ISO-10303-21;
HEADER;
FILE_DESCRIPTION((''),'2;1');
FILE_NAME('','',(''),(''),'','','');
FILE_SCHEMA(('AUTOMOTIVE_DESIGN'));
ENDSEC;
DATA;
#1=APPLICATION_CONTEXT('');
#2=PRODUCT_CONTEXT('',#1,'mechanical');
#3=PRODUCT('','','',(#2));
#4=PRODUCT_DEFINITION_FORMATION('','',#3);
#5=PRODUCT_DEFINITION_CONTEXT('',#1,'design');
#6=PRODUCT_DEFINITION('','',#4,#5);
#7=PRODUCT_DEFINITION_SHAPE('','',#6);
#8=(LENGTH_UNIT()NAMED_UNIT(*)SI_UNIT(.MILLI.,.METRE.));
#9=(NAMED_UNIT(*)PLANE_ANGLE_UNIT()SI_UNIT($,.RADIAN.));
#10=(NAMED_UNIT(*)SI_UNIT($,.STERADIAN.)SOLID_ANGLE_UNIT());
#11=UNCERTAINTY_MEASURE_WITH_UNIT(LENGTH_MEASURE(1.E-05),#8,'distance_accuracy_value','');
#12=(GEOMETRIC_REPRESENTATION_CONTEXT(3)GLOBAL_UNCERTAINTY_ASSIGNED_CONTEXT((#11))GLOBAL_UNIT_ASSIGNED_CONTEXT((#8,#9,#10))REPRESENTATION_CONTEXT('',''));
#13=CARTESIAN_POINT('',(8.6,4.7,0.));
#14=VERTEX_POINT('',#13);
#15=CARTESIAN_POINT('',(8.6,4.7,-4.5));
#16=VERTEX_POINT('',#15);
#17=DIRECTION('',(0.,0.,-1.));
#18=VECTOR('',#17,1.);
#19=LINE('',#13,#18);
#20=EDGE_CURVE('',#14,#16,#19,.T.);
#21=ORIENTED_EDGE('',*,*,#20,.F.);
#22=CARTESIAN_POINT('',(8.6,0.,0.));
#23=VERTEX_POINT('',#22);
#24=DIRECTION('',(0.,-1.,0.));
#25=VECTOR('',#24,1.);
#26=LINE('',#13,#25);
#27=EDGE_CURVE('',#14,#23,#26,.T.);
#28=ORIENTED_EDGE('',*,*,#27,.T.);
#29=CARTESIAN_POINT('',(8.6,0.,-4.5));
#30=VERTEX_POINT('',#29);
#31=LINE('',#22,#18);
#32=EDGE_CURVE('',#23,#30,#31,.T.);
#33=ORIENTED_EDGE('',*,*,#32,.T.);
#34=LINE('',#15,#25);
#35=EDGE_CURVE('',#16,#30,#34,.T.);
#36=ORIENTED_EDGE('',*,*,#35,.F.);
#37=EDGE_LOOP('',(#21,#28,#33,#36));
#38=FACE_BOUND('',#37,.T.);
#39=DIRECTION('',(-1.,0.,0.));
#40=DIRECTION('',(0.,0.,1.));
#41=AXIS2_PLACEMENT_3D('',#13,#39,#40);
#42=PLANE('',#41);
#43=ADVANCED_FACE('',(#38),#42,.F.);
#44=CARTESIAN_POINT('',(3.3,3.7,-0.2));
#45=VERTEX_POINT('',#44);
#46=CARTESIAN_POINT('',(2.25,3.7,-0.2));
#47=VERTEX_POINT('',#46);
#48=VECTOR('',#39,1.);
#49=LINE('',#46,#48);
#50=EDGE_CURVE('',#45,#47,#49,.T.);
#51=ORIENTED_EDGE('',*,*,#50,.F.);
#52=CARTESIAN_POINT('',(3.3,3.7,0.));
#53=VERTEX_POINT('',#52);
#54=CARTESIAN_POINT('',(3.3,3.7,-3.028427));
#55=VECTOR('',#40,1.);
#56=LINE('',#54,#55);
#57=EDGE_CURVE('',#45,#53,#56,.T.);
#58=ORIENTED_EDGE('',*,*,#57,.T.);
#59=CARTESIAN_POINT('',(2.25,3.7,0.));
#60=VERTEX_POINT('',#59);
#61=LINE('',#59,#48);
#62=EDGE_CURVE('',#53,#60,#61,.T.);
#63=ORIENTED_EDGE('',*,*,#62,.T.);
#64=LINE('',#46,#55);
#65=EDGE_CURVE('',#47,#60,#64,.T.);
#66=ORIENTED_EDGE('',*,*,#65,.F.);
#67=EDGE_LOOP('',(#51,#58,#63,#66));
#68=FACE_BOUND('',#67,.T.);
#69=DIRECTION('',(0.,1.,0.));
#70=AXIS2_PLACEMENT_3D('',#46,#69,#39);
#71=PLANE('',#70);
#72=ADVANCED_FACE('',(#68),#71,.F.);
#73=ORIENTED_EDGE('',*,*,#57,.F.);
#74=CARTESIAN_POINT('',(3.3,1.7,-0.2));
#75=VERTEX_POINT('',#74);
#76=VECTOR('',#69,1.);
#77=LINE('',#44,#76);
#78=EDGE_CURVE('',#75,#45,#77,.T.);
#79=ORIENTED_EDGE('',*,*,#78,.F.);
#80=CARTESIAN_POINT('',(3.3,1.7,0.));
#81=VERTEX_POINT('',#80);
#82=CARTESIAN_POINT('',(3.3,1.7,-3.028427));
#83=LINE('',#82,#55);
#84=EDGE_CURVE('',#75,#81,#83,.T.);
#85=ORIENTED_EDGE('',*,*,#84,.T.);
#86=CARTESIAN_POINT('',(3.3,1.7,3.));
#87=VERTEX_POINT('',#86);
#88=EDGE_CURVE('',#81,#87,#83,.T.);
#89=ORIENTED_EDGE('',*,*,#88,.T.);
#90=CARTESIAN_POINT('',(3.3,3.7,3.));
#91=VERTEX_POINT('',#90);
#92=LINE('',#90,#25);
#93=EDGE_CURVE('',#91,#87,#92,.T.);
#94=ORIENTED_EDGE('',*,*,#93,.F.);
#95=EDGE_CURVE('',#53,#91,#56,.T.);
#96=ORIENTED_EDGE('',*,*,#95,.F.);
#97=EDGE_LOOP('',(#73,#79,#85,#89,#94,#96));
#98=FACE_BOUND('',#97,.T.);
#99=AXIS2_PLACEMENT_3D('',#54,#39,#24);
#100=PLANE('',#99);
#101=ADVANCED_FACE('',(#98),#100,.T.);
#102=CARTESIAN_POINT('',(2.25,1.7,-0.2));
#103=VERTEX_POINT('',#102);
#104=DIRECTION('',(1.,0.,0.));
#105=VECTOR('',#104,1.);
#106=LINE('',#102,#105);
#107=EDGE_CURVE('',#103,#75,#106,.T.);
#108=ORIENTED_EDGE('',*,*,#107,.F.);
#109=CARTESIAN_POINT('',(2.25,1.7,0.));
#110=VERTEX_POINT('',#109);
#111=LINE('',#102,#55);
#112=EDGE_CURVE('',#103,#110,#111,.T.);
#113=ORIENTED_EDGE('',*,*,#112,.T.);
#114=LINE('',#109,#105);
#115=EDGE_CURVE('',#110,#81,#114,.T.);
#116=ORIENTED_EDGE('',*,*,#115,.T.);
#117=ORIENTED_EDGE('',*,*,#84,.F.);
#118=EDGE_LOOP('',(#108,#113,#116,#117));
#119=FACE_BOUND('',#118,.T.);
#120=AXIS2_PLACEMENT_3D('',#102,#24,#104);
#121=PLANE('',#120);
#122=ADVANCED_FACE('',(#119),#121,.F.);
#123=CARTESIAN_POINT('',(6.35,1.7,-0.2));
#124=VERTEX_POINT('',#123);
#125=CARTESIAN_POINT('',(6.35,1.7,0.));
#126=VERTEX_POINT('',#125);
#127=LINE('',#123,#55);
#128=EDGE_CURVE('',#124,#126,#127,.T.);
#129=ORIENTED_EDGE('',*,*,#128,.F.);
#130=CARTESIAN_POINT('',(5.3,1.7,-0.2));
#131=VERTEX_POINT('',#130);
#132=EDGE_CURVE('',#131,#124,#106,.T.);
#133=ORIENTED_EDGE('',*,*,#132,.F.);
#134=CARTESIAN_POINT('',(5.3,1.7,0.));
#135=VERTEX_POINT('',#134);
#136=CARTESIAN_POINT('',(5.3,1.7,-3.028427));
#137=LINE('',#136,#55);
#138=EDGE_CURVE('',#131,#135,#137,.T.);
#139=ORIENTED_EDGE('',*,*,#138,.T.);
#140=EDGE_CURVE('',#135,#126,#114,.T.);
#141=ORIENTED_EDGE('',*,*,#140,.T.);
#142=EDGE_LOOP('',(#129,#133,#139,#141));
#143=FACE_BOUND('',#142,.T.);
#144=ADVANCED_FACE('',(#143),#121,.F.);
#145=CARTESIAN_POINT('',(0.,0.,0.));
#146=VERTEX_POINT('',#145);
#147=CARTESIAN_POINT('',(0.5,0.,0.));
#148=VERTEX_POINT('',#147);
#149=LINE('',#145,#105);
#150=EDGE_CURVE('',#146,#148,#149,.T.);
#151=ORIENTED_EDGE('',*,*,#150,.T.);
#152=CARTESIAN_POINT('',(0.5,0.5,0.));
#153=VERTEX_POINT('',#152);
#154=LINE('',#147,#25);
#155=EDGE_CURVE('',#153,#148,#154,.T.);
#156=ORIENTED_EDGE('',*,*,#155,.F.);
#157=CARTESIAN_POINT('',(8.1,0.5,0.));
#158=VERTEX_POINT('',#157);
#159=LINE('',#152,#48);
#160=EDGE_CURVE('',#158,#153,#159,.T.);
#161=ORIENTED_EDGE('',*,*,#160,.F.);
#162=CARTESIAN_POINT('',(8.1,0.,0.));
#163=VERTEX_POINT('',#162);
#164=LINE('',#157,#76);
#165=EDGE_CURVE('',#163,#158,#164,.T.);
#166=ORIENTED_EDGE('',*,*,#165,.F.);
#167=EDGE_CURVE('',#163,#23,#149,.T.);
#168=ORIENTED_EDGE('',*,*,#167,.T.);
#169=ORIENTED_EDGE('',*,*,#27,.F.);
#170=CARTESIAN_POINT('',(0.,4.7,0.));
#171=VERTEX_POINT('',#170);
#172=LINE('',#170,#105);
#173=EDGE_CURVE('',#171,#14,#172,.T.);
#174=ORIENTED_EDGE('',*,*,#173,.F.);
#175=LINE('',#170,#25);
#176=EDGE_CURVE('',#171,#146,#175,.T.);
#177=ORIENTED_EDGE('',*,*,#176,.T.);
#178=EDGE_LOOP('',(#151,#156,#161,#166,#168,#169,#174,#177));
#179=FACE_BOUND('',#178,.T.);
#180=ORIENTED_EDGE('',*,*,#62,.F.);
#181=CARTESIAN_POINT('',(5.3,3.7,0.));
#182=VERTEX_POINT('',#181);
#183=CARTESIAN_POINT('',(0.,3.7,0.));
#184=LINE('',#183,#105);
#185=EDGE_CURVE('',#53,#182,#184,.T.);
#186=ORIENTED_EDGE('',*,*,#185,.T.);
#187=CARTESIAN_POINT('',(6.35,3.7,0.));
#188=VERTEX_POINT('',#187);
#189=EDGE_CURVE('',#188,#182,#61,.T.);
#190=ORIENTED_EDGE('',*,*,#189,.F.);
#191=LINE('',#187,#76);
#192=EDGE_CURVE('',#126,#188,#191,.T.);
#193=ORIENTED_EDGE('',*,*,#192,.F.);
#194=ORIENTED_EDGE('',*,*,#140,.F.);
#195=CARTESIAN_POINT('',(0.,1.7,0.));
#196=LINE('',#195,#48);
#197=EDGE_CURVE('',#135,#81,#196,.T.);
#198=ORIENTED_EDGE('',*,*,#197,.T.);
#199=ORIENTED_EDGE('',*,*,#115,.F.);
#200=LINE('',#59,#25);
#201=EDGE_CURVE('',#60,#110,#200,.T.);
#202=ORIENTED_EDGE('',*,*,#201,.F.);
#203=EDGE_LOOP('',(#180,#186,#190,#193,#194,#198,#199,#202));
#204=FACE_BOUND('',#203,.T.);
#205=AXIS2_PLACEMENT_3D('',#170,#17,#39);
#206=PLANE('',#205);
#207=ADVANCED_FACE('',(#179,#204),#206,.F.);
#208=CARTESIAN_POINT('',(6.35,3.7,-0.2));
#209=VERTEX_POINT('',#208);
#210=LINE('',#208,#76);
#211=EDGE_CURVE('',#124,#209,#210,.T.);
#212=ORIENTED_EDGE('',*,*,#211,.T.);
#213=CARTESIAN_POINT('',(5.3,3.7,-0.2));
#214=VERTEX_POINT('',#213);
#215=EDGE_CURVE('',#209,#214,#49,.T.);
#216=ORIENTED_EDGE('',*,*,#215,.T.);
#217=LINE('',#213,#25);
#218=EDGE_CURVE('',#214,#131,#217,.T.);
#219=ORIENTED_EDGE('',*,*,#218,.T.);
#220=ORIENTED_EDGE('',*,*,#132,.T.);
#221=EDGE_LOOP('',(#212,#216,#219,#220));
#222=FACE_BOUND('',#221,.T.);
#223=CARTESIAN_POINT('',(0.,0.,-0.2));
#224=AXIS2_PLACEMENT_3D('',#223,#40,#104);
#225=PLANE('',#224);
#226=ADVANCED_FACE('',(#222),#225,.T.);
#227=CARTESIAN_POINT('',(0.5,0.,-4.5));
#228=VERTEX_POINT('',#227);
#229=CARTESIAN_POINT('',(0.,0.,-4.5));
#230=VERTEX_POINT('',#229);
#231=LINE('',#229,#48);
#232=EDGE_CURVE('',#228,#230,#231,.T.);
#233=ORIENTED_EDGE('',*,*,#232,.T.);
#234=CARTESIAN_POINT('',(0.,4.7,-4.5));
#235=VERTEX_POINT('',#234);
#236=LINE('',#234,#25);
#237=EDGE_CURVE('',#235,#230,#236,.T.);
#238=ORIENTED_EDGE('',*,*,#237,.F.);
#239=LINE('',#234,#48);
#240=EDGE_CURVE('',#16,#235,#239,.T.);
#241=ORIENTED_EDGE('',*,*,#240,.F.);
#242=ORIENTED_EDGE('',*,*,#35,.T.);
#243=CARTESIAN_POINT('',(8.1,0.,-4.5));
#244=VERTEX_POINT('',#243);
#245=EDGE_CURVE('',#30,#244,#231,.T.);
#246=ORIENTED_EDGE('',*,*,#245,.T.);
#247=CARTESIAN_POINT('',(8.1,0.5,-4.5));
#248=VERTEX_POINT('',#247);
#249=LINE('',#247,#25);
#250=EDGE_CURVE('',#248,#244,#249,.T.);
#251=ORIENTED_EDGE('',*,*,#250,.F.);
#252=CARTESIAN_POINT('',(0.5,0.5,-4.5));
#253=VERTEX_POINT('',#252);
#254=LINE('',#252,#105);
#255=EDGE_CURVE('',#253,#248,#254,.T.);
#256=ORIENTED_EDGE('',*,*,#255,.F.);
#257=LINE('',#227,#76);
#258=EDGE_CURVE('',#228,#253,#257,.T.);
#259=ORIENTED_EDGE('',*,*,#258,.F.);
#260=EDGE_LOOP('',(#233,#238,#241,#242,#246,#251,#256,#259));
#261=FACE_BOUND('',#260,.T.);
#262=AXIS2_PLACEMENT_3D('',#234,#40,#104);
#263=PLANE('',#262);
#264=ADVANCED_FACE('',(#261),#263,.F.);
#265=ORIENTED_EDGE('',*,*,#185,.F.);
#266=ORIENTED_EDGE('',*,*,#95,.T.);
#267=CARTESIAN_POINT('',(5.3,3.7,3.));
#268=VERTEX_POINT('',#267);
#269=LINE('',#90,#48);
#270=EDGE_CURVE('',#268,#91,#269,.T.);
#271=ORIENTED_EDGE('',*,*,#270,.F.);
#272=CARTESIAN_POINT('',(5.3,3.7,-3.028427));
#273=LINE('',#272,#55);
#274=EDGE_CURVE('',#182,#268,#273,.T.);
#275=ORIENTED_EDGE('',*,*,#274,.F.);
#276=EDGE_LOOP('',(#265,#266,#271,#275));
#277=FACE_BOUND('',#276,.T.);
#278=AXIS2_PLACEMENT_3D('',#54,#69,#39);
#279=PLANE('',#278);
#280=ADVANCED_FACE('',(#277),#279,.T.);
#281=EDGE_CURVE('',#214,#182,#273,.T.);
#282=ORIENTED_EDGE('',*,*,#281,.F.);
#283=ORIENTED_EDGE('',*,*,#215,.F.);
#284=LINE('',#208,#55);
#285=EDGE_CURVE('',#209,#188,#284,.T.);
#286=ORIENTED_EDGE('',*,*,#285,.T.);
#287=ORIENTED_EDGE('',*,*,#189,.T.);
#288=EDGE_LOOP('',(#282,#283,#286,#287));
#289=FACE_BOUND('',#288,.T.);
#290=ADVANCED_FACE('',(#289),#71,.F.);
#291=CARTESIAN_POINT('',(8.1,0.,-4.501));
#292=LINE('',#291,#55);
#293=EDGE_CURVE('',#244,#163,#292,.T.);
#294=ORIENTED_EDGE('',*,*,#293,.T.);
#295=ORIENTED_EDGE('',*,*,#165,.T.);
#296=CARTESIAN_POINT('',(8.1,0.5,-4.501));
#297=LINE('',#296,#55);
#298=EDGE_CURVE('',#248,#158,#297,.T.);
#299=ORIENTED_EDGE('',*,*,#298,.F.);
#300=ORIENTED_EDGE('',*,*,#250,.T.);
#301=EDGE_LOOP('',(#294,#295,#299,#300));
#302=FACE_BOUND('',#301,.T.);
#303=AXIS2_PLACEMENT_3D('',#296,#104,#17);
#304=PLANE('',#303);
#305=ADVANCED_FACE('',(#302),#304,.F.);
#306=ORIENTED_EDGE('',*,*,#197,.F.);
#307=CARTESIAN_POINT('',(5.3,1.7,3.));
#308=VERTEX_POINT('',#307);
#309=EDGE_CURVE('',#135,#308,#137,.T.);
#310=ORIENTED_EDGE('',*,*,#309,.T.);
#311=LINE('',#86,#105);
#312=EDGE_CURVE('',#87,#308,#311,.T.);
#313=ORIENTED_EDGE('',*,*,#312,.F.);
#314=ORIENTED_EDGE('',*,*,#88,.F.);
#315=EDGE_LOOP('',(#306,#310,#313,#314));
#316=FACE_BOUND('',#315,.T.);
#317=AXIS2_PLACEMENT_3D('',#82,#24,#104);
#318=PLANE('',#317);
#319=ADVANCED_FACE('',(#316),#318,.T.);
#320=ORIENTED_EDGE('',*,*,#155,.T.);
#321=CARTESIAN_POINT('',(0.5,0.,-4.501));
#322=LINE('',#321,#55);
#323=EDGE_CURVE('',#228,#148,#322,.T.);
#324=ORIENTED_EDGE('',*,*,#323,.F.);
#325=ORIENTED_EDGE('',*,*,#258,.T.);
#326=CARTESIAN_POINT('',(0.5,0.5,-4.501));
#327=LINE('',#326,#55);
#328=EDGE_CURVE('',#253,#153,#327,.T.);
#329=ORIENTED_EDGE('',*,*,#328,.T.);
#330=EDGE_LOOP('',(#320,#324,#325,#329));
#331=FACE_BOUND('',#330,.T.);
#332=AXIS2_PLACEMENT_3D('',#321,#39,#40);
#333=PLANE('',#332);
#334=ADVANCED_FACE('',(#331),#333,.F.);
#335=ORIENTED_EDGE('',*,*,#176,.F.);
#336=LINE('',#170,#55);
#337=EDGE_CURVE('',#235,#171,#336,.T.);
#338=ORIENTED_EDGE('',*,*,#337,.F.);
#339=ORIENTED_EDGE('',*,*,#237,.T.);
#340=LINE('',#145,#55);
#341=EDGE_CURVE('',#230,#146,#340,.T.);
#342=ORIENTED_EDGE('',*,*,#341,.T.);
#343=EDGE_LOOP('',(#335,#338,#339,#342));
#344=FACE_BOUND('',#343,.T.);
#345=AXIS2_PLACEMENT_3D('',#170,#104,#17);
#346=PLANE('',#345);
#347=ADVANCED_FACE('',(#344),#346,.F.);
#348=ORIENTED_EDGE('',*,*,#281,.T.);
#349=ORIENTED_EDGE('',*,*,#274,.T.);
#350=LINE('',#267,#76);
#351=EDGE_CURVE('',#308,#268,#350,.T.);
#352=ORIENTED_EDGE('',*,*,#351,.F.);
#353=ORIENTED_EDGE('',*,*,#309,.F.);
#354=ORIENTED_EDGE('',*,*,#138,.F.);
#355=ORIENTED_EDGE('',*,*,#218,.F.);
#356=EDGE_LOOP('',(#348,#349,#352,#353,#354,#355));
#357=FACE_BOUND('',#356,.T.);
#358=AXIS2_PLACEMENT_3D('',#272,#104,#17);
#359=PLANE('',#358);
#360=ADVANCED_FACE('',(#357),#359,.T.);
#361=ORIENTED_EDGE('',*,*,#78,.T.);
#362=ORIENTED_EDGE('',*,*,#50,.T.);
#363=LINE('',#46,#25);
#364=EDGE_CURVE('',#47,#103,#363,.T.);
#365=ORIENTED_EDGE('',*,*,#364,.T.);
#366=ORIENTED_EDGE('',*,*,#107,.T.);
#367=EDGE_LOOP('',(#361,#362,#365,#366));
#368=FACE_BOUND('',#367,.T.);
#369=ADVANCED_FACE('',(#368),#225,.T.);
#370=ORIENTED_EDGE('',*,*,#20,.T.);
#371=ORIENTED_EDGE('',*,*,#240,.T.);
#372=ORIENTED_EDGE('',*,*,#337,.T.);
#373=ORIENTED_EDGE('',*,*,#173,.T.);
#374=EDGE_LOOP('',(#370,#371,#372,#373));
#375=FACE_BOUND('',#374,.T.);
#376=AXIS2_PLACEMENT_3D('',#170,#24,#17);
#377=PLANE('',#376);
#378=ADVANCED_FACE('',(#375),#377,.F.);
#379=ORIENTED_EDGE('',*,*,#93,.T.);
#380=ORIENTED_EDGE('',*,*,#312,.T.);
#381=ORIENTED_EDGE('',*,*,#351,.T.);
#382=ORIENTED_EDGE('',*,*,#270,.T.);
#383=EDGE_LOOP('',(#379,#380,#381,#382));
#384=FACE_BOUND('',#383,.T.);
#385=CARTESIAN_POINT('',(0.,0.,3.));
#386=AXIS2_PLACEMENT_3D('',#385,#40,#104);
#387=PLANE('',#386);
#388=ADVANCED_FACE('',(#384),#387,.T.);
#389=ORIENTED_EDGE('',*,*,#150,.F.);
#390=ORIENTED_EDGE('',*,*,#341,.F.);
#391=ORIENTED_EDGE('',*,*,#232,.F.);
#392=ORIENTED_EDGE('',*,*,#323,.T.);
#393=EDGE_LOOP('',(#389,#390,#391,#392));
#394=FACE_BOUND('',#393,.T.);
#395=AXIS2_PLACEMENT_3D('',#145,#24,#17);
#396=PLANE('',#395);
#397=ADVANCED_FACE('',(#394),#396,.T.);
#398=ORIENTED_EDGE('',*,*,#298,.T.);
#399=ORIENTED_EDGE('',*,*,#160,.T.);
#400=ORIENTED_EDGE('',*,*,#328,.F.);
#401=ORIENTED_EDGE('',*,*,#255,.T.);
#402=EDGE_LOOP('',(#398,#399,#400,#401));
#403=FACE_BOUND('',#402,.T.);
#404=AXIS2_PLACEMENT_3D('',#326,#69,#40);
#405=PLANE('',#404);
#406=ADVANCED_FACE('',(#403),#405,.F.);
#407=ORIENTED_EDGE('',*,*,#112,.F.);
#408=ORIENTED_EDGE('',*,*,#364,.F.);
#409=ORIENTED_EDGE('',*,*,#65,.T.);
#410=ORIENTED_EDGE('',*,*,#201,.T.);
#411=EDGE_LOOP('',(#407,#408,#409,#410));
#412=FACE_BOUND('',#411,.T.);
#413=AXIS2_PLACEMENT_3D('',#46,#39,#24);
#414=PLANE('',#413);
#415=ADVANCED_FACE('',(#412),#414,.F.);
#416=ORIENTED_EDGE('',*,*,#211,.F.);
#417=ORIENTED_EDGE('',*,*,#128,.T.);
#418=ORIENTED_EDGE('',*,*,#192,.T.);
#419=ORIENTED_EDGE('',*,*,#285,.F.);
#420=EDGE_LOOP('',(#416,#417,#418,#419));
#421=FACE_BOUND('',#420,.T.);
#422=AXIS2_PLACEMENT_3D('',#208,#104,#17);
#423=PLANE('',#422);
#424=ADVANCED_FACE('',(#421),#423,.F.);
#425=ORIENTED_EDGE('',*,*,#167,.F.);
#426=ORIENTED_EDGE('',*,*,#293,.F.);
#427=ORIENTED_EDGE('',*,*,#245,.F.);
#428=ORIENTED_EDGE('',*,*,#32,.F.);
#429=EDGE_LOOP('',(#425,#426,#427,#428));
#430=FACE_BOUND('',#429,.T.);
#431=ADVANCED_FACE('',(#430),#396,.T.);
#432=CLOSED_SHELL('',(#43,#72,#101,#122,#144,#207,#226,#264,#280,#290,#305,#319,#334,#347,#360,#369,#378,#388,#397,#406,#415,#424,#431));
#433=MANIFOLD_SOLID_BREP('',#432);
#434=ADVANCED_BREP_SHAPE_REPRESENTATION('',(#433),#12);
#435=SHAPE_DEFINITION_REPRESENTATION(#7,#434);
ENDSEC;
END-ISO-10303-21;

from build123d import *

# Parameters (mm, degrees)
SKETCH_1_W           = 8.6
SKETCH_1_H           = 4.5
EXTRUDE_1_DEPTH      = 4.7
SKETCH_2_W           = 4.1
SKETCH_2_H           = 2
CUT_EXTRUDE_1_DEPTH  = 0.2
CUT_EXTRUDE_2_REACH  = 6.5
SKETCH_4_W           = 7.6
SKETCH_4_H           = 0.5
SKETCH_5_W           = 2
SKETCH_5_H           = 2
EXTRUDE_2_DEPTH      = 3
EXTRUDE_2_DEPTH_BACK = 0.2


with BuildPart() as part:
    # 草图1 → 凸台-拉伸1 (new body)
    with BuildSketch(Plane(origin=(0, 0, 0), x_dir=(1, 0, 0), z_dir=(0, 1, 0))):
        with Locations((4.3, 2.25)):
            Rectangle(SKETCH_1_W, SKETCH_1_H)
    extrude(amount=EXTRUDE_1_DEPTH)

    # 草图2 → 切除-拉伸1 (cut)
    with BuildSketch(Plane.XY):
        with Locations((4.3, 2.7)):
            Rectangle(SKETCH_2_W, SKETCH_2_H)
    extrude(amount=-CUT_EXTRUDE_1_DEPTH, mode=Mode.SUBTRACT)

    # 草图4 → 切除-拉伸2 (cut, up to next)
    with BuildSketch(Plane.XY, mode=Mode.PRIVATE) as cut_extrude_2_sk1:
        with Locations((4.3, 0.25)):
            Rectangle(SKETCH_4_W, SKETCH_4_H)
    cut_extrude_2_tool1 = extrude(cut_extrude_2_sk1.sketch, amount=-CUT_EXTRUDE_2_REACH, mode=Mode.PRIVATE) & part.part
    add(cut_extrude_2_tool1.solids().sort_by_distance((4.3, 0.25, 0))[0], mode=Mode.SUBTRACT)

    # 草图5 → 凸台-拉伸2 (add, two sides)
    with BuildSketch(Plane.XY) as extrude_2_sk:
        with Locations((4.3, 2.7)):
            Rectangle(SKETCH_5_W, SKETCH_5_H)
    extrude(amount=EXTRUDE_2_DEPTH)
    extrude(extrude_2_sk.sketch, amount=-EXTRUDE_2_DEPTH_BACK)


solid = part.part
